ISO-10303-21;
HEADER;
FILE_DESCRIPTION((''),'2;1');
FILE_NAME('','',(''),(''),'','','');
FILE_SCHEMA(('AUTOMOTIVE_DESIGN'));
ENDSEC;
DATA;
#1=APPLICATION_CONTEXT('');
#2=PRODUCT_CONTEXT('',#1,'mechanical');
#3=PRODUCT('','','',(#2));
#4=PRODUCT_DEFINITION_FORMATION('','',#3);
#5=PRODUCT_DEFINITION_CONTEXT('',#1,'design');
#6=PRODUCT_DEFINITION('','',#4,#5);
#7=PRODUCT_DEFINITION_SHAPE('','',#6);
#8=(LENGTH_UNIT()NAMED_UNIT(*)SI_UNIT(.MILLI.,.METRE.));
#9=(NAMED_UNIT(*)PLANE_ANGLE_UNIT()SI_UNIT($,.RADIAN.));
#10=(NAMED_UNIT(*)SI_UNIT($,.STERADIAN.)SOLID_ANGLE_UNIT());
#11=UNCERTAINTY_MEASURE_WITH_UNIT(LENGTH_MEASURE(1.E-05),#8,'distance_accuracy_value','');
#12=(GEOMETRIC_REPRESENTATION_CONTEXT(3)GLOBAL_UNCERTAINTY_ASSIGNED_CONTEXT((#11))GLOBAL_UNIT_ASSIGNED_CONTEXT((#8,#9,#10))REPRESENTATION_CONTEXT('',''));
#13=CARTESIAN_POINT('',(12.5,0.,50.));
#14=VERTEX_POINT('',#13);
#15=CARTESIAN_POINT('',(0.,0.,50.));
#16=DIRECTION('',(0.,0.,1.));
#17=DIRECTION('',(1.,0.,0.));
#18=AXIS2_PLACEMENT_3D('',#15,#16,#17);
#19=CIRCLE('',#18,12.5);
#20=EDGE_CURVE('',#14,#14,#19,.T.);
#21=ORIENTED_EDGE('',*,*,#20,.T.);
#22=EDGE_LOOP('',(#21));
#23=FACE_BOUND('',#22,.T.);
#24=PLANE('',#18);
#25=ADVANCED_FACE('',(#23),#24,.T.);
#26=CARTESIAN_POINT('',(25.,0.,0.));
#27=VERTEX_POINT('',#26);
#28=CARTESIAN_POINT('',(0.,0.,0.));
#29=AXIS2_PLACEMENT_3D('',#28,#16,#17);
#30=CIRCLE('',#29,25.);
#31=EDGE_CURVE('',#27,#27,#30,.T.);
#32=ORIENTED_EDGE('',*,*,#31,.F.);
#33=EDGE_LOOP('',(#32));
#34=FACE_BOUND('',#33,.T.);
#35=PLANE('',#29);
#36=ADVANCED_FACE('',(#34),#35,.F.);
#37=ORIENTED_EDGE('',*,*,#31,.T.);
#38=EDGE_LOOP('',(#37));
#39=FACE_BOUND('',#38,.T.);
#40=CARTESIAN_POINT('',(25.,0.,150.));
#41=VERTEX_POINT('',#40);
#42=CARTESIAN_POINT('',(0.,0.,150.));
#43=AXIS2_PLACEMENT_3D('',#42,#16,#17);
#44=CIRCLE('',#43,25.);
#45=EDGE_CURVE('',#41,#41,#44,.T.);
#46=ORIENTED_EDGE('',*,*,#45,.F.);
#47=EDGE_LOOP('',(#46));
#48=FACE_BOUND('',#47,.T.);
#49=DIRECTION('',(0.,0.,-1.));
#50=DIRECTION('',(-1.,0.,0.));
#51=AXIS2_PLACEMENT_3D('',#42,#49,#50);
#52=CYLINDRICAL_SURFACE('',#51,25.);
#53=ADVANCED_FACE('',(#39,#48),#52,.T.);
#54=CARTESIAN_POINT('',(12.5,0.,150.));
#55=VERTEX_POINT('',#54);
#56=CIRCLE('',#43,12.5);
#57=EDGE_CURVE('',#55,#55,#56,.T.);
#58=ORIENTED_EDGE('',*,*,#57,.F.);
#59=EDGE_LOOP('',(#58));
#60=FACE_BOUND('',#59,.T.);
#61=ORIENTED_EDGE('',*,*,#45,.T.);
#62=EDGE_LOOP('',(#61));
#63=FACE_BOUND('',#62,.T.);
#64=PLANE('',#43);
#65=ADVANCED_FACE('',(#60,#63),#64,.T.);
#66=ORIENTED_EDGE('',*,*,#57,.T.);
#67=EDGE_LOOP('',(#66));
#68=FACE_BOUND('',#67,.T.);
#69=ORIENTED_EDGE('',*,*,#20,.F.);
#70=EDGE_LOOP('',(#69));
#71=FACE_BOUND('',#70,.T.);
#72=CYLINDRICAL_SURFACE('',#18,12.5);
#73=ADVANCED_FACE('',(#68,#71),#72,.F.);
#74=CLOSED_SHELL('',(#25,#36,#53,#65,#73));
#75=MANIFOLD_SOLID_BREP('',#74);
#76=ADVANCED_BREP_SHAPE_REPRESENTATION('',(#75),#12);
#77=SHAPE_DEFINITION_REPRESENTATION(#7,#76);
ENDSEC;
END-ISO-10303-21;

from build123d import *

# Parameters (mm, degrees)
SKETCH1_R           = 25
BOSS_EXTRUDE1_DEPTH = 150
SKETCH3_R           = 12.5
CUT_EXTRUDE2_DEPTH  = 100


with BuildPart() as part:
    # Sketch1 → Boss-Extrude1 (new body)
    with BuildSketch(Plane.XY):
        Circle(SKETCH1_R)
    extrude(amount=BOSS_EXTRUDE1_DEPTH)

    # Sketch3 → Cut-Extrude2 (cut)
    with BuildSketch(Plane.XY.offset(150)):
        Circle(SKETCH3_R)
    extrude(amount=-CUT_EXTRUDE2_DEPTH, mode=Mode.SUBTRACT)


solid = part.part
